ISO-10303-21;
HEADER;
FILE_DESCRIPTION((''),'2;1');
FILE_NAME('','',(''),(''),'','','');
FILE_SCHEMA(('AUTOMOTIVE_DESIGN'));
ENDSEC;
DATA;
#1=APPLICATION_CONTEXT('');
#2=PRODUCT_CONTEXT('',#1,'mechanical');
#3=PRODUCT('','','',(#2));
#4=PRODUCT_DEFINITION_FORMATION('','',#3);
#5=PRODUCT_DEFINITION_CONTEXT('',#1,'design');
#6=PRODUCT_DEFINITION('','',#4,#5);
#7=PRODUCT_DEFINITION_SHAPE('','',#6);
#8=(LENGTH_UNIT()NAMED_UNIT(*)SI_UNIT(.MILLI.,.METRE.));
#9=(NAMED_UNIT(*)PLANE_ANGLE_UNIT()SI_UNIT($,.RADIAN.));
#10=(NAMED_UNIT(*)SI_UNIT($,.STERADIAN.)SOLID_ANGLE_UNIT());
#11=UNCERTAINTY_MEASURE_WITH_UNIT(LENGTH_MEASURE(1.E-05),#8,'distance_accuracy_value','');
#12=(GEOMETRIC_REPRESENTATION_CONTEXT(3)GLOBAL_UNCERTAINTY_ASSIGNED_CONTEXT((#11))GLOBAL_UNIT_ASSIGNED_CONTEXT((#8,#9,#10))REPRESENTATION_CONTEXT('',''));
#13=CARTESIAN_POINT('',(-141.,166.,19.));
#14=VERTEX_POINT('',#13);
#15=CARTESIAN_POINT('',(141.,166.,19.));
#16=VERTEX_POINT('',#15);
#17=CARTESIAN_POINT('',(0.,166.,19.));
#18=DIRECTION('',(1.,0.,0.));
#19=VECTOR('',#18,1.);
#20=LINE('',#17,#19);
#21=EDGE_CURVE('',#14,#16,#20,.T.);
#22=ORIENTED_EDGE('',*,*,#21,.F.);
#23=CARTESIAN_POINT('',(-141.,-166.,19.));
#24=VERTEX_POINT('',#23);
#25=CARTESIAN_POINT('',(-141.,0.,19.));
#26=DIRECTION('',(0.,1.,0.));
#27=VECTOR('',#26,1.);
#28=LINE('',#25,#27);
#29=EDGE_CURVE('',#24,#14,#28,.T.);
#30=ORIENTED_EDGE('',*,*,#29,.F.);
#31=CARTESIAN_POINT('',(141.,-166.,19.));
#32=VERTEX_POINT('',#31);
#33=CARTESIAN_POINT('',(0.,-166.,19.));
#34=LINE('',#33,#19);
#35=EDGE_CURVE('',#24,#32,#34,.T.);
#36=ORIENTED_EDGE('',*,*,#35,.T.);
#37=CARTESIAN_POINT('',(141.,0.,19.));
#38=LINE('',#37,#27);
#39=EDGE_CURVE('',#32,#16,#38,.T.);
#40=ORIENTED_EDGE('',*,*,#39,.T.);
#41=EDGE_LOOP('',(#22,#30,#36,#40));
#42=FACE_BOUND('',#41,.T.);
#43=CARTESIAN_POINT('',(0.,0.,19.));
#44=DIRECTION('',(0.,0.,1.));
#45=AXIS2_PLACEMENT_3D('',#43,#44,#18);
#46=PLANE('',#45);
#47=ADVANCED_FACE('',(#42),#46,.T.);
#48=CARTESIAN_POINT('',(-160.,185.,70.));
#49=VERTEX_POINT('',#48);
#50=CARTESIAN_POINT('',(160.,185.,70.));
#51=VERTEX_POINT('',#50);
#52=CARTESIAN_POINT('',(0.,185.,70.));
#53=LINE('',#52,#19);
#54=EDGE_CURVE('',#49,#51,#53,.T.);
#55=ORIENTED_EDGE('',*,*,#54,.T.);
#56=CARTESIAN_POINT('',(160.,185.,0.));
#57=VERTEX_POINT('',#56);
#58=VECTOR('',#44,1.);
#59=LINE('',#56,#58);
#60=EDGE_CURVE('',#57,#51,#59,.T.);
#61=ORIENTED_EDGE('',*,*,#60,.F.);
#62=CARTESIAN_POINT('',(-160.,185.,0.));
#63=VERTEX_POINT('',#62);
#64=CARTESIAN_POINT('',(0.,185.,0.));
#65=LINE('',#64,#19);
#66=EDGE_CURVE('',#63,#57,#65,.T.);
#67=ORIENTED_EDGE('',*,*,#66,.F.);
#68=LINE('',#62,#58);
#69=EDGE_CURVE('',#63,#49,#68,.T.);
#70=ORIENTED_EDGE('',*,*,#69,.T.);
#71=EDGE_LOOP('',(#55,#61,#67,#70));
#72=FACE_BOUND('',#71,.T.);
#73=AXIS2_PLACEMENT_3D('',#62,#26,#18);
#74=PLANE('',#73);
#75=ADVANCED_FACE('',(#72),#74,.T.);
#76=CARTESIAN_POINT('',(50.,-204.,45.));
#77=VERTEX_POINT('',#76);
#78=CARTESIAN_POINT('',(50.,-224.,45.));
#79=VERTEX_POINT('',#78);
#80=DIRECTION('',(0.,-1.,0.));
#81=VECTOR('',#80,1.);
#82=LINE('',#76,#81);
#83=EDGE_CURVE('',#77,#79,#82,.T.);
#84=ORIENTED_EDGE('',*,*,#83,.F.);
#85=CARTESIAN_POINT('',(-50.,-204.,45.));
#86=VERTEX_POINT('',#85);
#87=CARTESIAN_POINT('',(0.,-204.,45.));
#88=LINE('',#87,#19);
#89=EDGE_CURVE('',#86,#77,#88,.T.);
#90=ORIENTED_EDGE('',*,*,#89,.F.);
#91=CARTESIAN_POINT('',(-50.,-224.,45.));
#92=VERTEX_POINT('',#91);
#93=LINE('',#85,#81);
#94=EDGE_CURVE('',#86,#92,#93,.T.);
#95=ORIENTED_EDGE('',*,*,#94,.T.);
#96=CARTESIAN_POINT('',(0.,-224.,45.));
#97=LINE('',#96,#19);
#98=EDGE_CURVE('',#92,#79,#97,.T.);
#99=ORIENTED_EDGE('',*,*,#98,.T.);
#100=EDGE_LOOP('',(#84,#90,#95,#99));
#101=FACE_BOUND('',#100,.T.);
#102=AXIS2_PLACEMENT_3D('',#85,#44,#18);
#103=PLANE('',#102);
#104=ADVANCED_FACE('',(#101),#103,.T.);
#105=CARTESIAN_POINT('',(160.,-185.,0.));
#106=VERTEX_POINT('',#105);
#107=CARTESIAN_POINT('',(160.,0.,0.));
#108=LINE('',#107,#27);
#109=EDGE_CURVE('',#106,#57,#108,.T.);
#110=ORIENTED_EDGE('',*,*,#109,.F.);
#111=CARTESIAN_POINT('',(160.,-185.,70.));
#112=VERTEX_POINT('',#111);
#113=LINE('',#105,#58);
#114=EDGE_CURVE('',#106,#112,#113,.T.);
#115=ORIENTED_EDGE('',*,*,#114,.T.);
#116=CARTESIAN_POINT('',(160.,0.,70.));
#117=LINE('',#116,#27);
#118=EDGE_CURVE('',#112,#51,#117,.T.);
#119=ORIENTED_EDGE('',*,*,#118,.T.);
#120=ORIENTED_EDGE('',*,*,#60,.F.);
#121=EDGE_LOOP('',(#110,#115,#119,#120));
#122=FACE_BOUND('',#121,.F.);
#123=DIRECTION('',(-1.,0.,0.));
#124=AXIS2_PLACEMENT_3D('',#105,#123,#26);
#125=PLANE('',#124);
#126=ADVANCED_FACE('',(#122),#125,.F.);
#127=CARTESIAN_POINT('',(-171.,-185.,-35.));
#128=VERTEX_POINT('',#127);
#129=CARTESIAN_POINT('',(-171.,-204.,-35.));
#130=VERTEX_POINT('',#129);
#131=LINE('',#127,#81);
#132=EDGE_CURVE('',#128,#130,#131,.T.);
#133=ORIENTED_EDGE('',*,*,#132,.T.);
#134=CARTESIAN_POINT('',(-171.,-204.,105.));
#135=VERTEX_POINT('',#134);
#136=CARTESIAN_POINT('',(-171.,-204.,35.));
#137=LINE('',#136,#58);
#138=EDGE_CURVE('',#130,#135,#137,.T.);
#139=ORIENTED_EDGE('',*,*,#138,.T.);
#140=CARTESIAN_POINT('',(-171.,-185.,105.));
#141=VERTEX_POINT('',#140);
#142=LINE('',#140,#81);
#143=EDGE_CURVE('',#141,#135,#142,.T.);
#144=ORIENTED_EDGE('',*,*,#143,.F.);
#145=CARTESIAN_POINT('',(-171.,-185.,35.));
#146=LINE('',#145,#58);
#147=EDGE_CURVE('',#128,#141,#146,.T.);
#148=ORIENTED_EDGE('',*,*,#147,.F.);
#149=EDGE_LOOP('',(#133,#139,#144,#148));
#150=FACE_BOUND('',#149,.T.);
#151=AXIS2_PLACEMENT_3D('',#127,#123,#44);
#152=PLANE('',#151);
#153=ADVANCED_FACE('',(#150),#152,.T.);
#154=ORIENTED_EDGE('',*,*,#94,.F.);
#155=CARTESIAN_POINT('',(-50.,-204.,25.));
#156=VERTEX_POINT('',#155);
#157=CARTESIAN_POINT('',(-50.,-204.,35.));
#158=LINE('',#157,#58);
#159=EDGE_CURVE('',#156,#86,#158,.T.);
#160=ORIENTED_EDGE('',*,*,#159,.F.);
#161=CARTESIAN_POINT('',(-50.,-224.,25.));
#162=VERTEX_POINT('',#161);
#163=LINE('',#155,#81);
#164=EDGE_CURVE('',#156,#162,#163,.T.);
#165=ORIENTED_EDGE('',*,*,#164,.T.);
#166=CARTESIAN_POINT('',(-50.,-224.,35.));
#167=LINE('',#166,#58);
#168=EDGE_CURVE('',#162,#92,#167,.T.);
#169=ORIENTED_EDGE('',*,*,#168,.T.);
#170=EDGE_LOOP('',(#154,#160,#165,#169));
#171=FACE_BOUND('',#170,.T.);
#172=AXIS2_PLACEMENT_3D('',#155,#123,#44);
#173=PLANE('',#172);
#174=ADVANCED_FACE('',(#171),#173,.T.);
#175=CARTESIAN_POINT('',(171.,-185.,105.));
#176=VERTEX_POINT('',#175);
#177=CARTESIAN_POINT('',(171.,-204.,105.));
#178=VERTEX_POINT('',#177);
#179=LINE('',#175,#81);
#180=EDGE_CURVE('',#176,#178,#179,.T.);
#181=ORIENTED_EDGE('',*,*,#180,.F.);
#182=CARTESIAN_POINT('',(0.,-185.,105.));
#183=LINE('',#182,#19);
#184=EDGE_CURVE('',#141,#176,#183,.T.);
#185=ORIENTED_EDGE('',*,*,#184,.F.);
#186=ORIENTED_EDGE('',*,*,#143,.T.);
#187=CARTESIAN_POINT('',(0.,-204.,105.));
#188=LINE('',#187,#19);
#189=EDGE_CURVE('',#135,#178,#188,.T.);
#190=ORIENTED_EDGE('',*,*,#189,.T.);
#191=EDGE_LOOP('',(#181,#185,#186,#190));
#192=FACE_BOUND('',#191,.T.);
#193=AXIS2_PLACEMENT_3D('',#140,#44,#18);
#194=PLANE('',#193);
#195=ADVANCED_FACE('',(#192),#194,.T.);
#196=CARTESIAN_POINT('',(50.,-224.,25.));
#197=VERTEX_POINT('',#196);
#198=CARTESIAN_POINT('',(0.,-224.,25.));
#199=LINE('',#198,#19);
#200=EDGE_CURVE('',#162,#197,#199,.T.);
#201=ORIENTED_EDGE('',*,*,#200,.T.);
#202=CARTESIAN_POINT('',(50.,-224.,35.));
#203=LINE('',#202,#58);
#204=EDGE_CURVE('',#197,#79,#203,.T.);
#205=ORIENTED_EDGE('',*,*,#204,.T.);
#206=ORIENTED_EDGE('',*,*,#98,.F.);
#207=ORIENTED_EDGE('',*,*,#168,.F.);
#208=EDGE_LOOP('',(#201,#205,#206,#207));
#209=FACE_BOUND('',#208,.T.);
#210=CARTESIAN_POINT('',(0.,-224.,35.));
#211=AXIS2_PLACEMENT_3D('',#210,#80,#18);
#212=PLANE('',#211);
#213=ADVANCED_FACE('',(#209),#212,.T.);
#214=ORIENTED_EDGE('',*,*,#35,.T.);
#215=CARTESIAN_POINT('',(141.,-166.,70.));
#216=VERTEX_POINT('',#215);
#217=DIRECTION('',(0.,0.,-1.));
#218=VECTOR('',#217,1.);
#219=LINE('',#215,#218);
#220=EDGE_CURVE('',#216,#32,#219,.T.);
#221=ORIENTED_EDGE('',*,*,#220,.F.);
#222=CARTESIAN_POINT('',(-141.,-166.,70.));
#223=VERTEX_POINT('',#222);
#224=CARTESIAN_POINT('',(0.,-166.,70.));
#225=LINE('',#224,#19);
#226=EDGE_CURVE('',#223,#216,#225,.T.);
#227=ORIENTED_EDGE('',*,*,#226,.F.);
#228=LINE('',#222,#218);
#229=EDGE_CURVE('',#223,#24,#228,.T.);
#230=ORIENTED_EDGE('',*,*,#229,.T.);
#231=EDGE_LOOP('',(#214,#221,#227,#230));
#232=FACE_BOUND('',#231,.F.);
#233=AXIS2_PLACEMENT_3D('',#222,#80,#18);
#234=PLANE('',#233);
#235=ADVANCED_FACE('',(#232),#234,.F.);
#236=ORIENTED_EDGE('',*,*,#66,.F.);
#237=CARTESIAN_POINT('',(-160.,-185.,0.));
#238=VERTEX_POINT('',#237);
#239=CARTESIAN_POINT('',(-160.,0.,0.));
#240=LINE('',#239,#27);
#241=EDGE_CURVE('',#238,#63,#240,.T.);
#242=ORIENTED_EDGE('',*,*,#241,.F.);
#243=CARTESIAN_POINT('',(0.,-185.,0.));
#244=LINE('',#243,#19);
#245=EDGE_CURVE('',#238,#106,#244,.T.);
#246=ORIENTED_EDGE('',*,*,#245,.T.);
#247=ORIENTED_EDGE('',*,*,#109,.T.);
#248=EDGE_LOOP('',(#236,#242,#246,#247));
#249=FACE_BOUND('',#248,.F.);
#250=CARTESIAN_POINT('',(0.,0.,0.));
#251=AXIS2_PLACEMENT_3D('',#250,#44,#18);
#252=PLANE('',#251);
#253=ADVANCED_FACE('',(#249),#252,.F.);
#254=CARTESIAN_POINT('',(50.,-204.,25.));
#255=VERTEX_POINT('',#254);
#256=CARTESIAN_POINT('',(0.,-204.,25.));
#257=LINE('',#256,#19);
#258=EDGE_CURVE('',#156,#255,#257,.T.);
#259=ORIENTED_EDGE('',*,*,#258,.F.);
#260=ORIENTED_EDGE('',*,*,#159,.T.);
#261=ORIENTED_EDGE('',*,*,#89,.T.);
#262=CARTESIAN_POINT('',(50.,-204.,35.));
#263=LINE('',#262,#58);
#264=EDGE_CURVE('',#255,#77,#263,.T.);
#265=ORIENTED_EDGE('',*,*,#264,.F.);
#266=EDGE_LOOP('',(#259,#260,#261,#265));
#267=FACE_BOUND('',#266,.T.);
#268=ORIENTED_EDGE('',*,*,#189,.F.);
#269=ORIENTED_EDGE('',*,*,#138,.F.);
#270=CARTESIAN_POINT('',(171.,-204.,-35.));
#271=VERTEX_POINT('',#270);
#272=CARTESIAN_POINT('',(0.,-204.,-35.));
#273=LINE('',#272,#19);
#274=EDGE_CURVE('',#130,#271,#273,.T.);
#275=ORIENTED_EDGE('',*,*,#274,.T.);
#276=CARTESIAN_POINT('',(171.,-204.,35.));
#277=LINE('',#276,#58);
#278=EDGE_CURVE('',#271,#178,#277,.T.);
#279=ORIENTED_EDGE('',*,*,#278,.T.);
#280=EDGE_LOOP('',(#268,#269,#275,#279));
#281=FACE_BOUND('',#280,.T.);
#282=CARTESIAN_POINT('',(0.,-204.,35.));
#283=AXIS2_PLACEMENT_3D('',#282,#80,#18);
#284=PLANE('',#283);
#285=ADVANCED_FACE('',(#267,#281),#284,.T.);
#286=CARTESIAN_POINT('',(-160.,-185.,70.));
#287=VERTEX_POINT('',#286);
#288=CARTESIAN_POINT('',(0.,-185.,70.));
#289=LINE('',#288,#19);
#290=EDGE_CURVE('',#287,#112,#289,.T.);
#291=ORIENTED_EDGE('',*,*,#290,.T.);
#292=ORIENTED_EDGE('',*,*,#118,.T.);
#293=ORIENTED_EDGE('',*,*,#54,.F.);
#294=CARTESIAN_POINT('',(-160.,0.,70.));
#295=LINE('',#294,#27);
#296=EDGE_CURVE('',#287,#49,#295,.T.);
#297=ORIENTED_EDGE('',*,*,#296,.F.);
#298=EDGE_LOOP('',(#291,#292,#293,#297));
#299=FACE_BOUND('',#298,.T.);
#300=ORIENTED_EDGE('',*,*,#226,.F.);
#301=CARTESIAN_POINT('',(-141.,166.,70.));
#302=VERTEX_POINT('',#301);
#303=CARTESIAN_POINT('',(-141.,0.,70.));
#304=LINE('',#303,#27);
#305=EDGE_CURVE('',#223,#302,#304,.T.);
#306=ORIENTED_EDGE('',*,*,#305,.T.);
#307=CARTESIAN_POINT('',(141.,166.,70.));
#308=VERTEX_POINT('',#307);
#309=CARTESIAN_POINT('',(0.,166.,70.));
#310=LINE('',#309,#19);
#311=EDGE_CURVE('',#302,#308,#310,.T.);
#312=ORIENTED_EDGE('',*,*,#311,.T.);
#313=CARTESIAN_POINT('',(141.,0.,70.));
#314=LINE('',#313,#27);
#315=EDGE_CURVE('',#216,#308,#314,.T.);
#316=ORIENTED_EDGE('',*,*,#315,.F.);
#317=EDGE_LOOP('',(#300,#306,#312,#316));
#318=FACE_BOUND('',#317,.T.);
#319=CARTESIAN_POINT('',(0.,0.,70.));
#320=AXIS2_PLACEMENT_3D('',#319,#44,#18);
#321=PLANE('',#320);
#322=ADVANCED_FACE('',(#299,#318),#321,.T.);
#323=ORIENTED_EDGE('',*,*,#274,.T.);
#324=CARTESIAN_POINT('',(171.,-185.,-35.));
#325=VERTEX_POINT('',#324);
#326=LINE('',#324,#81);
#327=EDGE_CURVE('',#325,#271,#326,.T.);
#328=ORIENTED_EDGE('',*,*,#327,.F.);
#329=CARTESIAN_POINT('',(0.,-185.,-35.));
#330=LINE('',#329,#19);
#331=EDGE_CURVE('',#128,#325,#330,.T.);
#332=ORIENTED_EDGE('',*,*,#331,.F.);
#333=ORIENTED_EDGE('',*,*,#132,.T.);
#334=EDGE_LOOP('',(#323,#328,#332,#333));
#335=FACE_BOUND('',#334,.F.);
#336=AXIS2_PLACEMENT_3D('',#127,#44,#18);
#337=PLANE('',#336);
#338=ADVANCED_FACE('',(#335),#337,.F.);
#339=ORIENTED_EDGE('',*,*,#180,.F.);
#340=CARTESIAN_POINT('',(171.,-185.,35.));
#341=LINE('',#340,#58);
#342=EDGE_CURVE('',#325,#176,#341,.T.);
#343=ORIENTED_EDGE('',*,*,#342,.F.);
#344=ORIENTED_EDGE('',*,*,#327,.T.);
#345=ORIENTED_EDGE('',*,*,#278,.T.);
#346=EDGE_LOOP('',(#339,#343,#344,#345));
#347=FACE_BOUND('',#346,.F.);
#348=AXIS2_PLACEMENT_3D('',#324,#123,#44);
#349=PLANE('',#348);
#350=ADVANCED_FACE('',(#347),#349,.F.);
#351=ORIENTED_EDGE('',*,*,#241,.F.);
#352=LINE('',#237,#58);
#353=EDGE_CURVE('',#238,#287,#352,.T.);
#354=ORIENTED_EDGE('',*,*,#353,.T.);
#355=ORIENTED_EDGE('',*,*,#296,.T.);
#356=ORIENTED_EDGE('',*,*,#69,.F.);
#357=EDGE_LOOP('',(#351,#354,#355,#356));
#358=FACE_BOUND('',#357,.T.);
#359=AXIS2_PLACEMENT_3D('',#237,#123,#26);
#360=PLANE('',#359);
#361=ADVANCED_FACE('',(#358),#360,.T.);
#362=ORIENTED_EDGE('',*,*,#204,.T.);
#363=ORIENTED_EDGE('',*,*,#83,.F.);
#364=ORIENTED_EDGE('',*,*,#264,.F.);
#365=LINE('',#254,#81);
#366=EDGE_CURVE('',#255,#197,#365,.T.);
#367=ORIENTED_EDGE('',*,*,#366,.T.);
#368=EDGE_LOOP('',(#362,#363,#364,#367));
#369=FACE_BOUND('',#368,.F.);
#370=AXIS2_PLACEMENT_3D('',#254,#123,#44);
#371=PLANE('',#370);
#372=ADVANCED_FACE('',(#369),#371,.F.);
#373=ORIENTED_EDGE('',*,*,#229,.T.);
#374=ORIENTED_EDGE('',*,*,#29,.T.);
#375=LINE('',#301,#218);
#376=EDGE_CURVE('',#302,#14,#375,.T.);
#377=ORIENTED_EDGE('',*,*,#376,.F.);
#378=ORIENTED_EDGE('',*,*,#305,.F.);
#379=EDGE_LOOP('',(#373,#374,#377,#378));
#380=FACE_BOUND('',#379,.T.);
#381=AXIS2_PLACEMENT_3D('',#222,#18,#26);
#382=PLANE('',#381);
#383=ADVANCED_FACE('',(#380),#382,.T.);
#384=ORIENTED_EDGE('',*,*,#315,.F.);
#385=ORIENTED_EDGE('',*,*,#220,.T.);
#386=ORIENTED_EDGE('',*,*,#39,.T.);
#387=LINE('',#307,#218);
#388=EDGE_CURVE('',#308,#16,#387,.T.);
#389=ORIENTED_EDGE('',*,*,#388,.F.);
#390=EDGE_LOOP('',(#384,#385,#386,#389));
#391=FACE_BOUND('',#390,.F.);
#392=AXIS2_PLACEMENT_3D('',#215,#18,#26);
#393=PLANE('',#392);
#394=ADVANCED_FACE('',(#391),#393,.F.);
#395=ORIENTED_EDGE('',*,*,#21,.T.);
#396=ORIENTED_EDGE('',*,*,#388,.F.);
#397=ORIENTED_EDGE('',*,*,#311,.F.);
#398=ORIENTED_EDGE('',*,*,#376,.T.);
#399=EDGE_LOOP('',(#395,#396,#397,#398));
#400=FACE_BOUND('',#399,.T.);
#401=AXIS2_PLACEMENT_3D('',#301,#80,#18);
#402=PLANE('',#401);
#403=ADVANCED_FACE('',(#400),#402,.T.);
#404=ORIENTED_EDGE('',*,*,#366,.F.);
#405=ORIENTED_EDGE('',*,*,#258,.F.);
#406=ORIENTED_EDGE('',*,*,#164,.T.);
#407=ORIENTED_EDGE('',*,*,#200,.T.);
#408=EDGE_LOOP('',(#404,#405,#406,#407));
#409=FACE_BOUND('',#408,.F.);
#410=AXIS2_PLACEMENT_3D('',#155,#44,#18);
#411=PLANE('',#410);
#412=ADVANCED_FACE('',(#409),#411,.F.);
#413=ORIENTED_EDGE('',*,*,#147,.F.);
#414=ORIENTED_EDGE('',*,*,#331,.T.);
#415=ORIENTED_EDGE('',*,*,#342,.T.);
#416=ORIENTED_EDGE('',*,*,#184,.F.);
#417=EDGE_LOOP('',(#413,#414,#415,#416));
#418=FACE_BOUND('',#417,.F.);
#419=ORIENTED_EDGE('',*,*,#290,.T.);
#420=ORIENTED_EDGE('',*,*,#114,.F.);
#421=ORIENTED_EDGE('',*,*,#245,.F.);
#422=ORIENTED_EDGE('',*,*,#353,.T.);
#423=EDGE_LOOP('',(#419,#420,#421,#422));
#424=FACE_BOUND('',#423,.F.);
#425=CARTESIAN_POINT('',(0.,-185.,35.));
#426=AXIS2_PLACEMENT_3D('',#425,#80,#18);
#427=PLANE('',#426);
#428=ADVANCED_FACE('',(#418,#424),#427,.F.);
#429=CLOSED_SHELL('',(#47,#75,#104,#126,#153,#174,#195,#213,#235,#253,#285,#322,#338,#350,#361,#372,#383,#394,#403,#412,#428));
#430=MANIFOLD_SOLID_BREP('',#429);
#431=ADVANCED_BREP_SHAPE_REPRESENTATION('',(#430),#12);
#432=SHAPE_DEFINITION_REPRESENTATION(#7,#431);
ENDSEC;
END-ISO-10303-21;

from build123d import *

# Parameters (mm, degrees)
F0_W     = 320
F0_H     = 370
F1_DEPTH = 70
F2_W     = 282
F2_H     = 332
F3_DEPTH = 51
F4_W     = 342
F4_H     = 140
F4_W_2   = 320
F4_H_2   = 70
F5_DEPTH = 19
F6_W     = 100
F6_H     = 20
F7_DEPTH = 20


with BuildPart() as f1:
    # F0 (on Top) → F1 (new body)
    with BuildSketch(Plane.XY):
        Rectangle(F0_W, F0_H)
    extrude(amount=F1_DEPTH)

    # F2 (on face) → F3 (cut)
    with BuildSketch(Plane.XY.offset(70)):
        Rectangle(F2_W, F2_H)
    extrude(amount=-F3_DEPTH, mode=Mode.SUBTRACT)

    # F4 (on face) → F5 (join)
    with BuildSketch(Plane.XZ.offset(185)):
        with Locations((0, 35)):
            Rectangle(F4_W, F4_H)
        with Locations((0, 35)):
            Rectangle(F4_W_2, F4_H_2, mode=Mode.SUBTRACT)
        with Locations((0, 35)):
            Rectangle(F4_W_2, F4_H_2)
    extrude(amount=F5_DEPTH)

    # F6 (on face) → F7 (join)
    with BuildSketch(Plane.XZ.offset(204)):
        with Locations((0, 35)):
            Rectangle(F6_W, F6_H)
    extrude(amount=F7_DEPTH)


solid = f1.part
